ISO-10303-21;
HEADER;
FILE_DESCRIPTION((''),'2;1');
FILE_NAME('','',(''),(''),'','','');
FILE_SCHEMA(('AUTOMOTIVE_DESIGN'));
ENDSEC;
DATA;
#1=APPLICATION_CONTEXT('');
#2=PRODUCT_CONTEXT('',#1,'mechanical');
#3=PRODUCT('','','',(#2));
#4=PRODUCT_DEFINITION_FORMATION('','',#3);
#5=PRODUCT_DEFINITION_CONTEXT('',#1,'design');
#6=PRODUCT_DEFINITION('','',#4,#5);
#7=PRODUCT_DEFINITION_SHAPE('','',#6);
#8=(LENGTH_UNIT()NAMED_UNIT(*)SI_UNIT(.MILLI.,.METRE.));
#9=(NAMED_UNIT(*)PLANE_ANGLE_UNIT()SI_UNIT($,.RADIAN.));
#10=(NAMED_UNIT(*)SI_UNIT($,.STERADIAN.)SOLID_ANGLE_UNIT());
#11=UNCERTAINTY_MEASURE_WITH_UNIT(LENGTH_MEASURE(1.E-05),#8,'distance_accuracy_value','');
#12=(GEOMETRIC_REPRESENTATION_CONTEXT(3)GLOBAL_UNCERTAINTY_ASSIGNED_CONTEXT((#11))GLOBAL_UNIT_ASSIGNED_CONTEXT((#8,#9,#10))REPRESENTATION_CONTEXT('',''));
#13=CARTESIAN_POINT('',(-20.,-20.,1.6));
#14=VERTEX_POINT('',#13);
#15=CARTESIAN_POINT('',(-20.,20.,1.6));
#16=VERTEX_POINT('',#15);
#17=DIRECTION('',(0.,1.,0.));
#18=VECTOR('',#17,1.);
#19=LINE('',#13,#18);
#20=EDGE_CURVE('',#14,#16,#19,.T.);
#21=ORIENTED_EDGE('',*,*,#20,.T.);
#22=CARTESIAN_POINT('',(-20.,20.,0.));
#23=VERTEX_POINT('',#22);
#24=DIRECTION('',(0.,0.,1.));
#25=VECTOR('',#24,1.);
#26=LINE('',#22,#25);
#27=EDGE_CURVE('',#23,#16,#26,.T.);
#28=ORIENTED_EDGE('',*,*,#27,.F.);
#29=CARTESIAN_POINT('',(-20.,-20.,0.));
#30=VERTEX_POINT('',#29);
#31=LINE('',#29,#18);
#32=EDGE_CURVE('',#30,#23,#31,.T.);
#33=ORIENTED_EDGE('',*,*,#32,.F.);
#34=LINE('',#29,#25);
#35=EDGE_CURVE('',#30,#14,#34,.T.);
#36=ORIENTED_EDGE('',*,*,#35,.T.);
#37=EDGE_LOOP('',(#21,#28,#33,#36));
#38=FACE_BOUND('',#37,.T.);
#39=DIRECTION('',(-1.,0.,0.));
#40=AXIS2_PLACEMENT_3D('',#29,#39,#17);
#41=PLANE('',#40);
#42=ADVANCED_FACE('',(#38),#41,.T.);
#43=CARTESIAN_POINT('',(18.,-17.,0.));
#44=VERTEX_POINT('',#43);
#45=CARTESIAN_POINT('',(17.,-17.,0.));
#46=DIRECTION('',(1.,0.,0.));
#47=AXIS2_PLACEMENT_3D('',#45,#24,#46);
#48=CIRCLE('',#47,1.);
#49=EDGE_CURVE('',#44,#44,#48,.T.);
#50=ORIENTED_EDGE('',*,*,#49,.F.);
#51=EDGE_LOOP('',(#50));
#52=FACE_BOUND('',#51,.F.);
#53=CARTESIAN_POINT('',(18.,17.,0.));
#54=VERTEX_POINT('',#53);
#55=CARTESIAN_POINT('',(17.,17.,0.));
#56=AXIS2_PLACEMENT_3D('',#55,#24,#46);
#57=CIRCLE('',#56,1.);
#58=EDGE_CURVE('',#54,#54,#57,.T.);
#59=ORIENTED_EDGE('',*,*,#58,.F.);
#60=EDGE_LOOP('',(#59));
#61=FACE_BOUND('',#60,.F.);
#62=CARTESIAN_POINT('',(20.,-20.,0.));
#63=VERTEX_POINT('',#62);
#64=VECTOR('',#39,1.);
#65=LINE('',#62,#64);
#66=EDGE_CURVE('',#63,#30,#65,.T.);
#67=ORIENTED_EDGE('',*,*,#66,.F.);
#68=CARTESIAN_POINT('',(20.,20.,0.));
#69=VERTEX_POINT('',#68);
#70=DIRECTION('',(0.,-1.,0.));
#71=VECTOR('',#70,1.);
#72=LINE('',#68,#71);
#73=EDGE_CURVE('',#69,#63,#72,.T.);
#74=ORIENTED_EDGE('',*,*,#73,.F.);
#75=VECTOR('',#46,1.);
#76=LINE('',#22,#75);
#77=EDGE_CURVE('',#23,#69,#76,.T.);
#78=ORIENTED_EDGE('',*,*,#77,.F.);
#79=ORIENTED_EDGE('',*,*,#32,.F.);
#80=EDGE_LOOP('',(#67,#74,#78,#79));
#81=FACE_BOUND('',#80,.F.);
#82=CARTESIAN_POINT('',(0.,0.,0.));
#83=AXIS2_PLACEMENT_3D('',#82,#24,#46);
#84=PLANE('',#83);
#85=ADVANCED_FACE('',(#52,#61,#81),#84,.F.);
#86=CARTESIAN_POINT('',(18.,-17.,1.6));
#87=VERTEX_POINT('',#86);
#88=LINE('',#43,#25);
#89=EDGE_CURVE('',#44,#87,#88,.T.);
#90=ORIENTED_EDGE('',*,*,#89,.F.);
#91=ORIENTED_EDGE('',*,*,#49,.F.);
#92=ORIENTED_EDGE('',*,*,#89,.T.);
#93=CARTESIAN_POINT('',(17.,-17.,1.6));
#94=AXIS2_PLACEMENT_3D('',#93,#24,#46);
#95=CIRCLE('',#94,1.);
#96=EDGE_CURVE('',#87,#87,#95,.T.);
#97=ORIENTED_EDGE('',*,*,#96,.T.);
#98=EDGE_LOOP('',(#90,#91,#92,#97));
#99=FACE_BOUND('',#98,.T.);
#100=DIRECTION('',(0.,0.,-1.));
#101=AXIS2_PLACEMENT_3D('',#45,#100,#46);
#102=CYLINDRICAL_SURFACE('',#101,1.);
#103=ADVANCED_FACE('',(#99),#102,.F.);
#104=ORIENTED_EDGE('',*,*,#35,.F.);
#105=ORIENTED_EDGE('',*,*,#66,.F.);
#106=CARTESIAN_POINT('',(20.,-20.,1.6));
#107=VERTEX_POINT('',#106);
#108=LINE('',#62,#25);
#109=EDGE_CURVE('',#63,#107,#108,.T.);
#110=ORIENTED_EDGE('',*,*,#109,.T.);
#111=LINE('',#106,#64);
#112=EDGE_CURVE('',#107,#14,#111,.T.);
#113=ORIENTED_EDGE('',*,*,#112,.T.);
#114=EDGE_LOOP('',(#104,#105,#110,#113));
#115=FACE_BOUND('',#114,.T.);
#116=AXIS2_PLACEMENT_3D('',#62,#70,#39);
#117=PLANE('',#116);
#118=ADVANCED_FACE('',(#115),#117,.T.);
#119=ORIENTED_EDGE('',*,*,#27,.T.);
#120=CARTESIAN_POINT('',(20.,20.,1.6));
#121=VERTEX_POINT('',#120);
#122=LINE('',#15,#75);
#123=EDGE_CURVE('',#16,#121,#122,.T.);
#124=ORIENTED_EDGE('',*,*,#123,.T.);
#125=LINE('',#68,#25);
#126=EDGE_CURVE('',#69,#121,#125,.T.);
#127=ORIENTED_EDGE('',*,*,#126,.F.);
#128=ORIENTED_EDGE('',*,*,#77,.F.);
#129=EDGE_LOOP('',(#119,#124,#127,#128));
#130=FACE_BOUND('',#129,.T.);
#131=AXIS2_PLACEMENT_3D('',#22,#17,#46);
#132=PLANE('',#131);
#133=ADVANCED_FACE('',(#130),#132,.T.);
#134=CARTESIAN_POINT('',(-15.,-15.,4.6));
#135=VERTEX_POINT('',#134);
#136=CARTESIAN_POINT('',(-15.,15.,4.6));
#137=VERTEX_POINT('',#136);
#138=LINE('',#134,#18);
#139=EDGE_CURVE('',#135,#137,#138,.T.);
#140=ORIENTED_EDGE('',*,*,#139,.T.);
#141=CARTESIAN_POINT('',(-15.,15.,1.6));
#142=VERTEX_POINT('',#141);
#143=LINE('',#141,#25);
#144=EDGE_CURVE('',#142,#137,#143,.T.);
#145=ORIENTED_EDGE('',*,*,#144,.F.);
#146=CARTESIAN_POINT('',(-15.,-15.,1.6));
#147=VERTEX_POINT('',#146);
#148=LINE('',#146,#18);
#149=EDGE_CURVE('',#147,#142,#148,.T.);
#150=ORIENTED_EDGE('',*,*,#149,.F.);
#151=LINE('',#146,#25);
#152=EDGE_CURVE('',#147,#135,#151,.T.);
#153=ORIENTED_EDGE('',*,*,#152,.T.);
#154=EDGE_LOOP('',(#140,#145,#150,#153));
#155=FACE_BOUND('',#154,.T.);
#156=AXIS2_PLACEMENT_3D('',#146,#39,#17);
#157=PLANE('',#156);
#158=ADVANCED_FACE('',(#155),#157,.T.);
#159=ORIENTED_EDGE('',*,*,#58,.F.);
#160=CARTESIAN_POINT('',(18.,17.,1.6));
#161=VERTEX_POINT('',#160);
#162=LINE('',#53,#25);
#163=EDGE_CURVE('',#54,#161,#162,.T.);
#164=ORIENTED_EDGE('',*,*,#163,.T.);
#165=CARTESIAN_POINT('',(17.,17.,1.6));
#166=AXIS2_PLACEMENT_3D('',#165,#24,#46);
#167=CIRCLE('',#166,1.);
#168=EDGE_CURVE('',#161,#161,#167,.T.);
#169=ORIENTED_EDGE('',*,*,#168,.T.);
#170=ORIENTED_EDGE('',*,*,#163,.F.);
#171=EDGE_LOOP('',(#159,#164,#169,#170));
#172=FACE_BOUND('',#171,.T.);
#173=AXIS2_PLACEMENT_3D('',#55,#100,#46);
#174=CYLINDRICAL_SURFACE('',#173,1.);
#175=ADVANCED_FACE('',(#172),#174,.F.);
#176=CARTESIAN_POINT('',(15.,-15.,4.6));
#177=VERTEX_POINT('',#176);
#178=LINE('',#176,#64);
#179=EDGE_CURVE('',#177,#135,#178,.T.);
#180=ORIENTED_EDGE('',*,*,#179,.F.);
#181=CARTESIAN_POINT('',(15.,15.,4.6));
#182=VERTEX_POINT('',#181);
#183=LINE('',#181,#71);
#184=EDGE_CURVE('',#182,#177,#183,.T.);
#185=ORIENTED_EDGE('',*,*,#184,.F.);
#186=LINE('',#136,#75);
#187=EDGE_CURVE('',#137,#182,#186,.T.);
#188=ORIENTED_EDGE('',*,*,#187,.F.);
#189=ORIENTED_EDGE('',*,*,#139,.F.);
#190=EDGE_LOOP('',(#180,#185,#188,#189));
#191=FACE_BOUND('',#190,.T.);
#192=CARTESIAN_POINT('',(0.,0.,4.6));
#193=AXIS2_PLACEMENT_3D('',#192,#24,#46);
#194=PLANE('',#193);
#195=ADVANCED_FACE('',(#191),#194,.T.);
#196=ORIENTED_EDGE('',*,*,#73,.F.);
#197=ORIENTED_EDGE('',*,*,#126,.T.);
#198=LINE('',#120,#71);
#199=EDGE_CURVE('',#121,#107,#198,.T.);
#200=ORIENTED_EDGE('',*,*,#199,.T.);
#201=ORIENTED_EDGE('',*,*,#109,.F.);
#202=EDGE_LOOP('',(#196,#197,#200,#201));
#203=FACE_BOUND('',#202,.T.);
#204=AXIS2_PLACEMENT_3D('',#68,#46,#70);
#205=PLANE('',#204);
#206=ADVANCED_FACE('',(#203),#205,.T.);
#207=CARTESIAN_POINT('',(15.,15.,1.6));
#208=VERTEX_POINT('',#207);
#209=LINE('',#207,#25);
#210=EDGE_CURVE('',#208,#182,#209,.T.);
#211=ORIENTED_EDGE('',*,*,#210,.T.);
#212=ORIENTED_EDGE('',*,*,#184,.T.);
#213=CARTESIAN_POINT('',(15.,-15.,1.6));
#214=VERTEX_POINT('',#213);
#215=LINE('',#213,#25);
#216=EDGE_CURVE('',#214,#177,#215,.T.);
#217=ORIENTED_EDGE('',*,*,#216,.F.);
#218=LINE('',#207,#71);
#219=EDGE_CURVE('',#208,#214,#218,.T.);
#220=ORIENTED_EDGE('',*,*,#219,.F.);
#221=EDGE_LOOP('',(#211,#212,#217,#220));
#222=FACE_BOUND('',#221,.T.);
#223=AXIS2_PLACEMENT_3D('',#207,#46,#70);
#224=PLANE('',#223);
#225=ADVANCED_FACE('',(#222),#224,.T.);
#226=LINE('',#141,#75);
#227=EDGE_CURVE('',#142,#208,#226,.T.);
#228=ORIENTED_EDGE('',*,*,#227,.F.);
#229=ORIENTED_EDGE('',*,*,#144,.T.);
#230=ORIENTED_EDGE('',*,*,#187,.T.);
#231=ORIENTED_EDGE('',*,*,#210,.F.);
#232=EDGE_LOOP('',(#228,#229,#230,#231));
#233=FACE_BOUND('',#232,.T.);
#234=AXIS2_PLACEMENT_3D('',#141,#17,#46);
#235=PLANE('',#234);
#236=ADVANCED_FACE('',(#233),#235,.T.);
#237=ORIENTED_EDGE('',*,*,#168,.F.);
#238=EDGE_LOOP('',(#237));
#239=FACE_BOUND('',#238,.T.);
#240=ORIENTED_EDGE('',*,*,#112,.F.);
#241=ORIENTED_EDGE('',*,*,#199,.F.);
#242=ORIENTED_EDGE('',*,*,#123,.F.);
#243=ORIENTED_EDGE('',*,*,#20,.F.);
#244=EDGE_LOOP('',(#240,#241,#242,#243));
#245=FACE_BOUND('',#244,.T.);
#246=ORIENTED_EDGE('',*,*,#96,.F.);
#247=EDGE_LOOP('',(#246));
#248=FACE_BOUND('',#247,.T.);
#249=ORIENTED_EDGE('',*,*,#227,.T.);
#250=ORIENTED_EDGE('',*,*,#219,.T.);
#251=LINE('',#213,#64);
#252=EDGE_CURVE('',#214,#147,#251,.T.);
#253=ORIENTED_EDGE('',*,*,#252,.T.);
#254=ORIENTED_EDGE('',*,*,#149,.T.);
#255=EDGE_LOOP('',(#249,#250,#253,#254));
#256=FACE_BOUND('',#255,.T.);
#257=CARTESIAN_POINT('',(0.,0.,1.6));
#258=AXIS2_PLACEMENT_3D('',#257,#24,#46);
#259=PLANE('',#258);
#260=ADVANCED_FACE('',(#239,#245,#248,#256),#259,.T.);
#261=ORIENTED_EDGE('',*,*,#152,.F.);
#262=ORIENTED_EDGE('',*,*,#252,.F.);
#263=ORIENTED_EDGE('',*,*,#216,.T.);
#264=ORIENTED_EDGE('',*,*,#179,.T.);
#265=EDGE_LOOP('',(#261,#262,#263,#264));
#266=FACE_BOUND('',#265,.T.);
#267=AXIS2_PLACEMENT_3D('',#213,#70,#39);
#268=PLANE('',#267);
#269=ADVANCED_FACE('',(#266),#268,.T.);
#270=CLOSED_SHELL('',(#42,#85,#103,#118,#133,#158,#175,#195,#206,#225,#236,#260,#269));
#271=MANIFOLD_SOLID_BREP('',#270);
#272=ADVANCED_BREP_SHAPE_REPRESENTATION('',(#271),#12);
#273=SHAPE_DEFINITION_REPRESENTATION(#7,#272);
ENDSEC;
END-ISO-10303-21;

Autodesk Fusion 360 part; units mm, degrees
sketch "Sketch1" plane through (0, 0, 0) normal (0, 0, 1) x (1, 0, 0)
  line L0 (-20, 20) -> (20, 20)
  line L1 (20, 20) -> (20, -20)
  line L2 (20, -20) -> (-20, -20)
  line L3 (-20, -20) -> (-20, 20)
  line L4 (-20, 20) -> (20, -20) construction
  line L5 (20, 20) -> (-20, -20) construction
  circle A0 centre (17, 17) radius 1
  circle A1 centre (17, -17) radius 1
  line L6 (-15, 15) -> (15, 15)
  line L7 (15, 15) -> (15, -15)
  line L8 (15, -15) -> (-15, -15)
  line L9 (-15, -15) -> (-15, 15)
  dimension "d1" = 40
  dimension "d2" = 2
  dimension "d3" = 3
  dimension "d5" = 30
extrude "Extrude1" add sketch "Sketch1" along normal blind 1.6 contours L0 L1 L2 L3 | L6 L7 L8 L9
extrude "Extrude2" add sketch "Sketch1" along normal blind 3 from surface at 1.6 contours L6 L7 L8 L9
